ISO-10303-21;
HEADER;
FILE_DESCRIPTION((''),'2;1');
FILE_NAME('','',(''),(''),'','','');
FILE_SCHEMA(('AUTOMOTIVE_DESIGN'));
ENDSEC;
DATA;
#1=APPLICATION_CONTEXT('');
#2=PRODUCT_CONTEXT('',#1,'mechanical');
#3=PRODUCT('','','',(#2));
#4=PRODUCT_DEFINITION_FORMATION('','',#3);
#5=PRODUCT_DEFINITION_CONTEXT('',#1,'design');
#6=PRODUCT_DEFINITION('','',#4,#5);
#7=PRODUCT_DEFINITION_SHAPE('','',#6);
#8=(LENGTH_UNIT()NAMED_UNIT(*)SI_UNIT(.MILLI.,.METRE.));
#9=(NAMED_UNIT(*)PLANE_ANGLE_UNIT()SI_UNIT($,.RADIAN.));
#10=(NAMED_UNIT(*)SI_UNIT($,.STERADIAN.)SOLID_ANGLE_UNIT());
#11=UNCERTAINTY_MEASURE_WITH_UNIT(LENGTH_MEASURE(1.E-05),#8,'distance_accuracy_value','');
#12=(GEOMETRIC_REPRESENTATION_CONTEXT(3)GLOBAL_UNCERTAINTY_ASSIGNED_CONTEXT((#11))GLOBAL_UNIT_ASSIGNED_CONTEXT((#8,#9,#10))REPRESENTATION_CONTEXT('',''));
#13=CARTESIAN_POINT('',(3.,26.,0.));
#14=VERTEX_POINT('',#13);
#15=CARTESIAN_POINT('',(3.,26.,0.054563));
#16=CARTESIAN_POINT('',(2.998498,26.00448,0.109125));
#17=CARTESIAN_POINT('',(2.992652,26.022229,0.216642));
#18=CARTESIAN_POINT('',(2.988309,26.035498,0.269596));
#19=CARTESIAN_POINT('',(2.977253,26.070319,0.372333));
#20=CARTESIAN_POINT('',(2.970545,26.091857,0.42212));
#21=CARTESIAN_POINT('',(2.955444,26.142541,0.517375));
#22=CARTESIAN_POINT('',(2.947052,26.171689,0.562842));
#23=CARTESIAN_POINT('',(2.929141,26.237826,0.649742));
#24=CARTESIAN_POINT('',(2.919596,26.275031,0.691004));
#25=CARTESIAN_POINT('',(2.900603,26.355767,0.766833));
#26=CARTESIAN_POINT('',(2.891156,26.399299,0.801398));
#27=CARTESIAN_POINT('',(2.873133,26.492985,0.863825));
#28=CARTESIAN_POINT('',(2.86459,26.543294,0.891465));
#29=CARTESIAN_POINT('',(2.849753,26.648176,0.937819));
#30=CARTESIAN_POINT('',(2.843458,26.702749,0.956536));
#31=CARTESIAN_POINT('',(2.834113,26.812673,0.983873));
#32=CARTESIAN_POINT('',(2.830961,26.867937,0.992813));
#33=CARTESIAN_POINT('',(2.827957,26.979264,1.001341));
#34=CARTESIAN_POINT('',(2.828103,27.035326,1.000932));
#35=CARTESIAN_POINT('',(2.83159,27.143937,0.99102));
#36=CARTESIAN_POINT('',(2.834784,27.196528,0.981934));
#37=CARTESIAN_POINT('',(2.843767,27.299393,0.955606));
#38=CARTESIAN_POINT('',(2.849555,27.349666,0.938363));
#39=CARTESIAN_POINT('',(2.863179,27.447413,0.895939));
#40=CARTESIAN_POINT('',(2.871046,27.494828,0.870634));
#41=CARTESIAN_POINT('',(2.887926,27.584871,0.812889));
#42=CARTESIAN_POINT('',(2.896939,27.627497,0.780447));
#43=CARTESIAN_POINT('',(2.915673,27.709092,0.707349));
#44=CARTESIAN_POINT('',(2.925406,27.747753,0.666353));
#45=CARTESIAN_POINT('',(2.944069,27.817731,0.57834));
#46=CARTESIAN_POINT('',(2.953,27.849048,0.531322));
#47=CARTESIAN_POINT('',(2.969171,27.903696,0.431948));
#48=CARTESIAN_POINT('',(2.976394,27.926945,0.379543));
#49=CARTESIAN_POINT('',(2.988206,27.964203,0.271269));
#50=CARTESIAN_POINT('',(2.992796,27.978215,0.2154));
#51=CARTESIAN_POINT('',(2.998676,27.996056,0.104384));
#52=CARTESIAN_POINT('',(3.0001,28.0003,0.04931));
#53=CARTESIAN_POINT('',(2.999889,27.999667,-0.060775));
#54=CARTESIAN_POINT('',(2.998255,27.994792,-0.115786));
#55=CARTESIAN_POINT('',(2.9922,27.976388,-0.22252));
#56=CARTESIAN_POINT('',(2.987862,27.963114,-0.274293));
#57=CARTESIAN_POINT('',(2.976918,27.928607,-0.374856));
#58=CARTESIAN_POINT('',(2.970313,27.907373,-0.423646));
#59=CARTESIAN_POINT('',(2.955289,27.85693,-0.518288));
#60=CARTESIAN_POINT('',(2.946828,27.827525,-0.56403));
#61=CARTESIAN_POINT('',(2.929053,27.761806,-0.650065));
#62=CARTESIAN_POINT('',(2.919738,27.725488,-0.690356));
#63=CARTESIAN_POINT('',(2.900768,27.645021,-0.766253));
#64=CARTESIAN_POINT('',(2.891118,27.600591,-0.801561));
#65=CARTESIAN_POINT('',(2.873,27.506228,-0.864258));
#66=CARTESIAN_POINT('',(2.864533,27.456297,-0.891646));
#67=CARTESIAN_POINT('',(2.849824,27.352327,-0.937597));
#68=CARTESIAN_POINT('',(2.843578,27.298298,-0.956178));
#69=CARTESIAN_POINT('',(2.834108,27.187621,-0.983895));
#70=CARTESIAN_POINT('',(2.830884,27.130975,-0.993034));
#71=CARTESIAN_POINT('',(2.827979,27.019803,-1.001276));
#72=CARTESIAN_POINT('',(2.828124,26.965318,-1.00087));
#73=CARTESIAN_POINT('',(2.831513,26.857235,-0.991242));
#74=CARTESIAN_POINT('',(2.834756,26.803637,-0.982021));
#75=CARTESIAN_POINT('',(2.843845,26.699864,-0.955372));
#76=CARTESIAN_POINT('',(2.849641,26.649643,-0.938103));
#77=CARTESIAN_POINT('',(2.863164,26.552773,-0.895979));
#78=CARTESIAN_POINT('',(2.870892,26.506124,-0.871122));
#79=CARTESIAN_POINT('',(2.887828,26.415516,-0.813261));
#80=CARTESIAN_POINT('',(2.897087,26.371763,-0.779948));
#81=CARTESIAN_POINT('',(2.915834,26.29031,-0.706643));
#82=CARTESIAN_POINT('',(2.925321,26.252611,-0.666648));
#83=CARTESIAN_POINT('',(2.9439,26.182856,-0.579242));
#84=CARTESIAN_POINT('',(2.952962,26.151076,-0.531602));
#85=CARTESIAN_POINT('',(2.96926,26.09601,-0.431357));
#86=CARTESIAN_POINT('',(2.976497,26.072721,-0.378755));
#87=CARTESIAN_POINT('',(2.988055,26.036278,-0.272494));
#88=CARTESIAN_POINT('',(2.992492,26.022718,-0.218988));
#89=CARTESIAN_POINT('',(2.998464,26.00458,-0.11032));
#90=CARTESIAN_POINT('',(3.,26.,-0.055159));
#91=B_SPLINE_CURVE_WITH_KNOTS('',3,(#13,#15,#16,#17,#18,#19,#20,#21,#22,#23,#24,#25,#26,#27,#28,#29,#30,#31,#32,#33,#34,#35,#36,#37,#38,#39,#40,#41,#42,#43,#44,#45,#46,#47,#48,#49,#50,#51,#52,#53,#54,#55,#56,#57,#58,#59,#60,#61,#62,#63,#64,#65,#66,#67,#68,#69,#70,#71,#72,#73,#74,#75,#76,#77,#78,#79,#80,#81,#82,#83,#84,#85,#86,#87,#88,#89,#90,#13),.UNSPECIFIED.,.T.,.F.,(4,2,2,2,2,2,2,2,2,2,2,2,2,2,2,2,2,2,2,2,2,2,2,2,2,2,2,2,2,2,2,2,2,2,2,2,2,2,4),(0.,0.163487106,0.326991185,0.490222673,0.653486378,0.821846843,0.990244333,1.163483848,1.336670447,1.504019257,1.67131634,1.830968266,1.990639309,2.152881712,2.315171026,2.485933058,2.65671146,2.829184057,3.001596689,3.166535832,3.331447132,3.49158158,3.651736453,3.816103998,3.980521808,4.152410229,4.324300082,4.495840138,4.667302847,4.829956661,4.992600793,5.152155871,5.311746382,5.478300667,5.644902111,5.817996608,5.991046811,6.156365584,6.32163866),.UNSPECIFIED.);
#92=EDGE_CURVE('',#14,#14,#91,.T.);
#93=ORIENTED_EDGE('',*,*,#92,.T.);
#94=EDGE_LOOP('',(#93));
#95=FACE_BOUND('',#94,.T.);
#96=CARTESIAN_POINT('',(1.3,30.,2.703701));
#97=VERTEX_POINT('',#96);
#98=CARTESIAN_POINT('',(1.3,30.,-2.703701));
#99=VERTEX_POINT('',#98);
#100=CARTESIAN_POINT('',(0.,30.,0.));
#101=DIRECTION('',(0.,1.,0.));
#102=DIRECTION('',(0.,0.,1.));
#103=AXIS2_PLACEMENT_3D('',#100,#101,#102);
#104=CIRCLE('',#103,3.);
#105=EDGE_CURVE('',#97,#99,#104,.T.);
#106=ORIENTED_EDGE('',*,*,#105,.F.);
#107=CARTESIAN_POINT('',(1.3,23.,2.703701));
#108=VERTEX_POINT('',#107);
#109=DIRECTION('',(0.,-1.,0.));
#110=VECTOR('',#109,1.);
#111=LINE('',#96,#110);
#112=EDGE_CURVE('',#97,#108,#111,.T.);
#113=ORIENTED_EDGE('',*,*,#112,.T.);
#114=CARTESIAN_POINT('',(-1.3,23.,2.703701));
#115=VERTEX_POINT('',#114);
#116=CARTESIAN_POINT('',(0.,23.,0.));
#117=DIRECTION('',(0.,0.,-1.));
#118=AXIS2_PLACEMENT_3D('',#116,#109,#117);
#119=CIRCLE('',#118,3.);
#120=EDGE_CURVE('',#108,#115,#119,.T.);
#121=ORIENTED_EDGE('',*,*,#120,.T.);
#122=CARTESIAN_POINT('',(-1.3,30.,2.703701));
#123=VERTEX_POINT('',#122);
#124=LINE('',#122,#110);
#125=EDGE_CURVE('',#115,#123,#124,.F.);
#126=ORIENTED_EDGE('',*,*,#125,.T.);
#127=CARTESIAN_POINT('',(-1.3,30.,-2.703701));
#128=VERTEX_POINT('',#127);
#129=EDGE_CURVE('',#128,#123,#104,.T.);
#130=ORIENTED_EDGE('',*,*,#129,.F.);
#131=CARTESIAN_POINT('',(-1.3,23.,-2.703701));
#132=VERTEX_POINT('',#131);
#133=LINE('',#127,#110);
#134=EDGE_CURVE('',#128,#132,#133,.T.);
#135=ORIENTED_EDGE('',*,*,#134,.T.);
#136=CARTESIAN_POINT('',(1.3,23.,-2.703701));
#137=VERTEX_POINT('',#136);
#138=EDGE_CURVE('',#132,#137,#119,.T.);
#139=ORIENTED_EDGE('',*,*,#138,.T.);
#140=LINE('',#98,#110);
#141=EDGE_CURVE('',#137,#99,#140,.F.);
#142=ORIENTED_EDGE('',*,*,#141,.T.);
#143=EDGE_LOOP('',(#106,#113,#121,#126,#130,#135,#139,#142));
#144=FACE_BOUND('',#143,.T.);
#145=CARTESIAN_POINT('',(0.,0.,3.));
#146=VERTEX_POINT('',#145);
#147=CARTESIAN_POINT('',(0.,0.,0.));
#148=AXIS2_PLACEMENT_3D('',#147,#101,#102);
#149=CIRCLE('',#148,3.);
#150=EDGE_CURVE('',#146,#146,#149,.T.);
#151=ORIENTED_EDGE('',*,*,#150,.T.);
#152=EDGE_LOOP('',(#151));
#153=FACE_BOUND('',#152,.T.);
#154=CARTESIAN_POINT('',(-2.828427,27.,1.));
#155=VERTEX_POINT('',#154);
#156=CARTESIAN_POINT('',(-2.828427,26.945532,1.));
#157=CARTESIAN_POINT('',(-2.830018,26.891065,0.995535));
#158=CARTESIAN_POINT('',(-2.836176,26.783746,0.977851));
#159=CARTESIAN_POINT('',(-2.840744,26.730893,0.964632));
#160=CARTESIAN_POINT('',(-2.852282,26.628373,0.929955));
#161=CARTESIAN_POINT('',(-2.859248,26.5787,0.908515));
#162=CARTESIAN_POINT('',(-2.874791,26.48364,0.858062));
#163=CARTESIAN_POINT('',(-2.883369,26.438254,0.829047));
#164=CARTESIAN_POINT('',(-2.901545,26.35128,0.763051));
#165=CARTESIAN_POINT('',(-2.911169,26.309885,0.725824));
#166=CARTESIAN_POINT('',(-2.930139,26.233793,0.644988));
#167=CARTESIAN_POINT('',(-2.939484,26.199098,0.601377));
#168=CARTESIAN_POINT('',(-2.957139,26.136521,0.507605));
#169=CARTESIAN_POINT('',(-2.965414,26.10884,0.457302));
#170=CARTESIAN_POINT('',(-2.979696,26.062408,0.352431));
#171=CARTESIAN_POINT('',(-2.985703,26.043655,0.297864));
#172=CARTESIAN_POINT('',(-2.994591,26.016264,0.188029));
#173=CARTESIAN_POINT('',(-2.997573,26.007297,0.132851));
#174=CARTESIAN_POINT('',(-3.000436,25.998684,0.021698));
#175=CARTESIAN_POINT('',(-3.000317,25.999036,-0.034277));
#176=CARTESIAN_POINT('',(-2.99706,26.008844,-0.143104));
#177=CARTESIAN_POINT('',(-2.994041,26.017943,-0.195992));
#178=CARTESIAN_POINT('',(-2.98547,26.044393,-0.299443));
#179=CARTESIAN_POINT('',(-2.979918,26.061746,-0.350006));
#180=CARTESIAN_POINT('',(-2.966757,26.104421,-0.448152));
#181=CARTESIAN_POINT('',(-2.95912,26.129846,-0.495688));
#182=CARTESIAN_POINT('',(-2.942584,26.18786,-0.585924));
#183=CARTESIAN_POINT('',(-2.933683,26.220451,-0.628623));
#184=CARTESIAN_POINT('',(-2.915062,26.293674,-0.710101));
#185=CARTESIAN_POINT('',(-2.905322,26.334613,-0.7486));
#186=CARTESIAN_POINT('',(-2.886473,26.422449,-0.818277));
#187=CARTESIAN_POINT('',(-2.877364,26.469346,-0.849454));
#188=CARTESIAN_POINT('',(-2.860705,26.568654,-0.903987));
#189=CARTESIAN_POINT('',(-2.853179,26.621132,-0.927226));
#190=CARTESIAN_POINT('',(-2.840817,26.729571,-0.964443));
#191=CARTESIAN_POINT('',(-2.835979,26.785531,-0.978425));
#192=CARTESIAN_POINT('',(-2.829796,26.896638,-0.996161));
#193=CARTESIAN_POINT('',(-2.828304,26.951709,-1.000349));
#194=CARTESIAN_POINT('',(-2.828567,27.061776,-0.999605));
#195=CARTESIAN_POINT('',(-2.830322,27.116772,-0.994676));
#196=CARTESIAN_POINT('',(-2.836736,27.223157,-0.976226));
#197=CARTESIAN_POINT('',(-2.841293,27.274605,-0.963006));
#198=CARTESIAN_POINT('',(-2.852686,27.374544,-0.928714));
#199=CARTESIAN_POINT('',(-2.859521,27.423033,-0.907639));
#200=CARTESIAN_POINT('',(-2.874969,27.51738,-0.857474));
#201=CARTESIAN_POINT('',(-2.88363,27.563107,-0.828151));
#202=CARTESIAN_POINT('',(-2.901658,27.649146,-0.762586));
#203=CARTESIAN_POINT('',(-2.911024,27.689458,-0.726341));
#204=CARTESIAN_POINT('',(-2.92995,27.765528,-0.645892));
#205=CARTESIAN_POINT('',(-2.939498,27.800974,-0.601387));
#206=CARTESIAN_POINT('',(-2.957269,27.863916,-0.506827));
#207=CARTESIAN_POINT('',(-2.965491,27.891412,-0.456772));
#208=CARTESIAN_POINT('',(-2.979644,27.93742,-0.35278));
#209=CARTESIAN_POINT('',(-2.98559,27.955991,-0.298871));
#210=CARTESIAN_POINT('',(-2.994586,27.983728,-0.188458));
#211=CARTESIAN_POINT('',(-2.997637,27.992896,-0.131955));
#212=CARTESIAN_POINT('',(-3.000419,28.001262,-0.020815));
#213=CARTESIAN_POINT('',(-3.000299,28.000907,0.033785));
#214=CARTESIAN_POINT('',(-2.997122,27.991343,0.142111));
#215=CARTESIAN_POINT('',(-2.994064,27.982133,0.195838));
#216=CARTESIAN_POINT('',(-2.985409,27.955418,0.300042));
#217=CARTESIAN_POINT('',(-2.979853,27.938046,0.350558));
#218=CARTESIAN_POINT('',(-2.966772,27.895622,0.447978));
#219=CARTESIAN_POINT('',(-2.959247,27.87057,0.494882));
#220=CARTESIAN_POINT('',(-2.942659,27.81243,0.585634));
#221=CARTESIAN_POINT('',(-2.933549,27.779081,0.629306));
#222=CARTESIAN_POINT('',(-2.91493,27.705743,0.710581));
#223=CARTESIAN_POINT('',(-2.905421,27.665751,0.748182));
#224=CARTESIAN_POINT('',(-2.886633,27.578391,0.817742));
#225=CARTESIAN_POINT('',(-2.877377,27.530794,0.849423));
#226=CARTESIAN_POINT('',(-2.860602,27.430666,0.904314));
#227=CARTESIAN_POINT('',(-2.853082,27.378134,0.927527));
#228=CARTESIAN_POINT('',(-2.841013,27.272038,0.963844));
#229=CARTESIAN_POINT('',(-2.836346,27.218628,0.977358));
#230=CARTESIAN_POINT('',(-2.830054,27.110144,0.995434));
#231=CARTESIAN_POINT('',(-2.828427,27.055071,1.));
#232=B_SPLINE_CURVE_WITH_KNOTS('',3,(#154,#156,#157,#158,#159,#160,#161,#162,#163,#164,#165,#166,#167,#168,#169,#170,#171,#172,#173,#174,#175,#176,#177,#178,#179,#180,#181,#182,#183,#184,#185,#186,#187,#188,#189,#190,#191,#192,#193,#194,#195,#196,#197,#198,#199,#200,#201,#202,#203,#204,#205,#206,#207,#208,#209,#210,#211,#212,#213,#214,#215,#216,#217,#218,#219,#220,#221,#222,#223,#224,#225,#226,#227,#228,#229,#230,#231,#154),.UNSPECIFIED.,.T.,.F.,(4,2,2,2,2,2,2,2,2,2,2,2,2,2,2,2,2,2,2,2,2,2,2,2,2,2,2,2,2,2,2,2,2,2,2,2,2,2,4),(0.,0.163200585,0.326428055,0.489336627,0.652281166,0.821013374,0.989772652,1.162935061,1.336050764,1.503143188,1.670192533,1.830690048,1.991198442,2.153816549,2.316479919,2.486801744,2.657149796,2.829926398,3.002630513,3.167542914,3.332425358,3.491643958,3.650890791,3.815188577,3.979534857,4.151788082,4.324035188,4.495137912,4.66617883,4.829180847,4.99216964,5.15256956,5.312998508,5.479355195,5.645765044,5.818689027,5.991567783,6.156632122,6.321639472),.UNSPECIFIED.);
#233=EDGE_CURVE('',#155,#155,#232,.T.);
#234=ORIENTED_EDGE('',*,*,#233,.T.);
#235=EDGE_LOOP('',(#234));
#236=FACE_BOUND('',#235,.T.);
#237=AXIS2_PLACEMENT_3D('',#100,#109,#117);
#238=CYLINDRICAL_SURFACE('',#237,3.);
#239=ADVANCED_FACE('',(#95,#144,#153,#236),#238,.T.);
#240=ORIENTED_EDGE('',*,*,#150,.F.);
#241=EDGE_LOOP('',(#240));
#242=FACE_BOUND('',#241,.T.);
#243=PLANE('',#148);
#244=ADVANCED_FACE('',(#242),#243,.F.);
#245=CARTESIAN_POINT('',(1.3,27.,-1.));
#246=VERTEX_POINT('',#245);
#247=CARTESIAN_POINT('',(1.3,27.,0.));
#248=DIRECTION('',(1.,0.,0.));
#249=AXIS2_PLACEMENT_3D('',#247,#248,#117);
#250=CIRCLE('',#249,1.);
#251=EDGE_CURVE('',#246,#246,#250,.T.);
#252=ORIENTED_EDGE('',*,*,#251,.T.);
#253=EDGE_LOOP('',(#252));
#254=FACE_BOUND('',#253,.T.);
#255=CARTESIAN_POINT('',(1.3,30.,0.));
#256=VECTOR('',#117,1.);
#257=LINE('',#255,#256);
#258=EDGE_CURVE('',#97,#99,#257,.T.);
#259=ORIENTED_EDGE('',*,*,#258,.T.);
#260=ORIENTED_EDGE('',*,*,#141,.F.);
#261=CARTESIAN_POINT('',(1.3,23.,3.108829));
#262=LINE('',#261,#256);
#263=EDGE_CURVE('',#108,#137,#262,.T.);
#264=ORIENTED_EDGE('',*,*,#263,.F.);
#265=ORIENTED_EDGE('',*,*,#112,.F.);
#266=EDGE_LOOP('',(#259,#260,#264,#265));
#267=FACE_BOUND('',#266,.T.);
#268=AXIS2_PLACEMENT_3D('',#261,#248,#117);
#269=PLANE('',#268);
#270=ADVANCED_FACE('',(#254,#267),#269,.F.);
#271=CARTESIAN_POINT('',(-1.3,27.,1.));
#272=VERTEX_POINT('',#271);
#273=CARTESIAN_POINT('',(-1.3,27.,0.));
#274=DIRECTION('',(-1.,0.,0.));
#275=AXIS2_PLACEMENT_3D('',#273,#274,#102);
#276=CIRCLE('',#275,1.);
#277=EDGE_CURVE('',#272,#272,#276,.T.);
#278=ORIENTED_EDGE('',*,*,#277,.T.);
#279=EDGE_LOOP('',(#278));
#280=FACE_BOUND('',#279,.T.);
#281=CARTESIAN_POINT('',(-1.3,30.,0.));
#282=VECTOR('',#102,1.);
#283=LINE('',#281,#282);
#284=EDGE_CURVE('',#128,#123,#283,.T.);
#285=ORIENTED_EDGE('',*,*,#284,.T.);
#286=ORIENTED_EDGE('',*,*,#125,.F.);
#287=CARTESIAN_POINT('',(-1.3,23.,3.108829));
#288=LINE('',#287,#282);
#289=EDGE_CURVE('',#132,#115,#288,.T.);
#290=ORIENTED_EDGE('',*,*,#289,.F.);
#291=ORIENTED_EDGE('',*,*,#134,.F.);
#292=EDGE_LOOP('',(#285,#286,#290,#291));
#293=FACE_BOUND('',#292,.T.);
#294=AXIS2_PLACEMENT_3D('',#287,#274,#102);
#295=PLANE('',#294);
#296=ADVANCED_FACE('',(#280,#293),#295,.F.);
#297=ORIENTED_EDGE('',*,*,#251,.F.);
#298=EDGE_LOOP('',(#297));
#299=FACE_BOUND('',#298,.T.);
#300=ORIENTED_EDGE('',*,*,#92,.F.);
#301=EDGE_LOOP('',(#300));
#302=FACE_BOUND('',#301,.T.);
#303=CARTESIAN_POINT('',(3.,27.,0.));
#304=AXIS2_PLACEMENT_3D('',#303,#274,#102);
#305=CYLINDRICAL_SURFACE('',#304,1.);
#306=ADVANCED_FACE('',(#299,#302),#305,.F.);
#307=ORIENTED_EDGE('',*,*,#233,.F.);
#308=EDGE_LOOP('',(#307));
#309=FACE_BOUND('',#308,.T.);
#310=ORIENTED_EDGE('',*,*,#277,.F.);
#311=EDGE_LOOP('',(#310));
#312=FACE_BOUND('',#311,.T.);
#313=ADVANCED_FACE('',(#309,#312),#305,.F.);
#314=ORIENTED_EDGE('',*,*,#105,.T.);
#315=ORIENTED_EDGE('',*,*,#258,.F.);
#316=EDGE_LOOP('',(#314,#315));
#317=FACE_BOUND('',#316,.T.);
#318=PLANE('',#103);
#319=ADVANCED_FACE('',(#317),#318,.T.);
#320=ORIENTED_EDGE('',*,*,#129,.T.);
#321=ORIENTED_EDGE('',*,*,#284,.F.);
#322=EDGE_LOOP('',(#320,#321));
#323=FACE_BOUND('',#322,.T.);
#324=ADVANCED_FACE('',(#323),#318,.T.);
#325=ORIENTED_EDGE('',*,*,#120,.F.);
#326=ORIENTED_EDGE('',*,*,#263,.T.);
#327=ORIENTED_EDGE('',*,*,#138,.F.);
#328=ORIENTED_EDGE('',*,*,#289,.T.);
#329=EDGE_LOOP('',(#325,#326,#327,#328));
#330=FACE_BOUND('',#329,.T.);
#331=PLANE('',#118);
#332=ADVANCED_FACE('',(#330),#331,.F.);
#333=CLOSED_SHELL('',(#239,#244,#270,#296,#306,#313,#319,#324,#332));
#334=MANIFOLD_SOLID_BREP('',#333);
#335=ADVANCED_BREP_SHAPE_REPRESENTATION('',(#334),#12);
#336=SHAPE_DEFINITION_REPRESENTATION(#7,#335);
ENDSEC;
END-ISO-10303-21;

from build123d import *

# Parameters (mm, degrees)
SKETCH_1_R               = 3
EXTRUDE_1_DEPTH          = 30
SKETCH_2_W               = 2.6
SKETCH_2_H               = 6.217658974
CUT_EXTRUDE_1_DEPTH      = 7
CUT_EXTRUDE_3_DEPTH      = 31.454720488
CUT_EXTRUDE_3_DEPTH_BACK = 31.454720488
SKETCH_3_R               = 1


with BuildPart() as part:
    # 草图1 → 凸台-拉伸1 (new body)
    with BuildSketch(Plane(origin=(0, 0, 0), x_dir=(1, 0, 0), z_dir=(0, 1, 0))):
        with Locations(Location((0, 0, 0), (0, 0, 270))):
            Circle(SKETCH_1_R)
    extrude(amount=EXTRUDE_1_DEPTH)

    # 草图2 → 切除-拉伸1 (cut)
    with BuildSketch(Plane(origin=(0, 30, 0), x_dir=(1, 0, 0), z_dir=(0, 1, 0))):
        Rectangle(SKETCH_2_W, SKETCH_2_H)
    extrude(amount=-CUT_EXTRUDE_1_DEPTH, mode=Mode.SUBTRACT)

    # 草图3 → 切除-拉伸3 (cut, two sides: drawn at the far end of the back side and taken through both)
    with BuildSketch(Plane.ZY.offset(-1.3).offset(-CUT_EXTRUDE_3_DEPTH_BACK)):
        with Locations((0, 27)):
            Circle(SKETCH_3_R)
    extrude(amount=CUT_EXTRUDE_3_DEPTH + CUT_EXTRUDE_3_DEPTH_BACK, mode=Mode.SUBTRACT)


solid = part.part
